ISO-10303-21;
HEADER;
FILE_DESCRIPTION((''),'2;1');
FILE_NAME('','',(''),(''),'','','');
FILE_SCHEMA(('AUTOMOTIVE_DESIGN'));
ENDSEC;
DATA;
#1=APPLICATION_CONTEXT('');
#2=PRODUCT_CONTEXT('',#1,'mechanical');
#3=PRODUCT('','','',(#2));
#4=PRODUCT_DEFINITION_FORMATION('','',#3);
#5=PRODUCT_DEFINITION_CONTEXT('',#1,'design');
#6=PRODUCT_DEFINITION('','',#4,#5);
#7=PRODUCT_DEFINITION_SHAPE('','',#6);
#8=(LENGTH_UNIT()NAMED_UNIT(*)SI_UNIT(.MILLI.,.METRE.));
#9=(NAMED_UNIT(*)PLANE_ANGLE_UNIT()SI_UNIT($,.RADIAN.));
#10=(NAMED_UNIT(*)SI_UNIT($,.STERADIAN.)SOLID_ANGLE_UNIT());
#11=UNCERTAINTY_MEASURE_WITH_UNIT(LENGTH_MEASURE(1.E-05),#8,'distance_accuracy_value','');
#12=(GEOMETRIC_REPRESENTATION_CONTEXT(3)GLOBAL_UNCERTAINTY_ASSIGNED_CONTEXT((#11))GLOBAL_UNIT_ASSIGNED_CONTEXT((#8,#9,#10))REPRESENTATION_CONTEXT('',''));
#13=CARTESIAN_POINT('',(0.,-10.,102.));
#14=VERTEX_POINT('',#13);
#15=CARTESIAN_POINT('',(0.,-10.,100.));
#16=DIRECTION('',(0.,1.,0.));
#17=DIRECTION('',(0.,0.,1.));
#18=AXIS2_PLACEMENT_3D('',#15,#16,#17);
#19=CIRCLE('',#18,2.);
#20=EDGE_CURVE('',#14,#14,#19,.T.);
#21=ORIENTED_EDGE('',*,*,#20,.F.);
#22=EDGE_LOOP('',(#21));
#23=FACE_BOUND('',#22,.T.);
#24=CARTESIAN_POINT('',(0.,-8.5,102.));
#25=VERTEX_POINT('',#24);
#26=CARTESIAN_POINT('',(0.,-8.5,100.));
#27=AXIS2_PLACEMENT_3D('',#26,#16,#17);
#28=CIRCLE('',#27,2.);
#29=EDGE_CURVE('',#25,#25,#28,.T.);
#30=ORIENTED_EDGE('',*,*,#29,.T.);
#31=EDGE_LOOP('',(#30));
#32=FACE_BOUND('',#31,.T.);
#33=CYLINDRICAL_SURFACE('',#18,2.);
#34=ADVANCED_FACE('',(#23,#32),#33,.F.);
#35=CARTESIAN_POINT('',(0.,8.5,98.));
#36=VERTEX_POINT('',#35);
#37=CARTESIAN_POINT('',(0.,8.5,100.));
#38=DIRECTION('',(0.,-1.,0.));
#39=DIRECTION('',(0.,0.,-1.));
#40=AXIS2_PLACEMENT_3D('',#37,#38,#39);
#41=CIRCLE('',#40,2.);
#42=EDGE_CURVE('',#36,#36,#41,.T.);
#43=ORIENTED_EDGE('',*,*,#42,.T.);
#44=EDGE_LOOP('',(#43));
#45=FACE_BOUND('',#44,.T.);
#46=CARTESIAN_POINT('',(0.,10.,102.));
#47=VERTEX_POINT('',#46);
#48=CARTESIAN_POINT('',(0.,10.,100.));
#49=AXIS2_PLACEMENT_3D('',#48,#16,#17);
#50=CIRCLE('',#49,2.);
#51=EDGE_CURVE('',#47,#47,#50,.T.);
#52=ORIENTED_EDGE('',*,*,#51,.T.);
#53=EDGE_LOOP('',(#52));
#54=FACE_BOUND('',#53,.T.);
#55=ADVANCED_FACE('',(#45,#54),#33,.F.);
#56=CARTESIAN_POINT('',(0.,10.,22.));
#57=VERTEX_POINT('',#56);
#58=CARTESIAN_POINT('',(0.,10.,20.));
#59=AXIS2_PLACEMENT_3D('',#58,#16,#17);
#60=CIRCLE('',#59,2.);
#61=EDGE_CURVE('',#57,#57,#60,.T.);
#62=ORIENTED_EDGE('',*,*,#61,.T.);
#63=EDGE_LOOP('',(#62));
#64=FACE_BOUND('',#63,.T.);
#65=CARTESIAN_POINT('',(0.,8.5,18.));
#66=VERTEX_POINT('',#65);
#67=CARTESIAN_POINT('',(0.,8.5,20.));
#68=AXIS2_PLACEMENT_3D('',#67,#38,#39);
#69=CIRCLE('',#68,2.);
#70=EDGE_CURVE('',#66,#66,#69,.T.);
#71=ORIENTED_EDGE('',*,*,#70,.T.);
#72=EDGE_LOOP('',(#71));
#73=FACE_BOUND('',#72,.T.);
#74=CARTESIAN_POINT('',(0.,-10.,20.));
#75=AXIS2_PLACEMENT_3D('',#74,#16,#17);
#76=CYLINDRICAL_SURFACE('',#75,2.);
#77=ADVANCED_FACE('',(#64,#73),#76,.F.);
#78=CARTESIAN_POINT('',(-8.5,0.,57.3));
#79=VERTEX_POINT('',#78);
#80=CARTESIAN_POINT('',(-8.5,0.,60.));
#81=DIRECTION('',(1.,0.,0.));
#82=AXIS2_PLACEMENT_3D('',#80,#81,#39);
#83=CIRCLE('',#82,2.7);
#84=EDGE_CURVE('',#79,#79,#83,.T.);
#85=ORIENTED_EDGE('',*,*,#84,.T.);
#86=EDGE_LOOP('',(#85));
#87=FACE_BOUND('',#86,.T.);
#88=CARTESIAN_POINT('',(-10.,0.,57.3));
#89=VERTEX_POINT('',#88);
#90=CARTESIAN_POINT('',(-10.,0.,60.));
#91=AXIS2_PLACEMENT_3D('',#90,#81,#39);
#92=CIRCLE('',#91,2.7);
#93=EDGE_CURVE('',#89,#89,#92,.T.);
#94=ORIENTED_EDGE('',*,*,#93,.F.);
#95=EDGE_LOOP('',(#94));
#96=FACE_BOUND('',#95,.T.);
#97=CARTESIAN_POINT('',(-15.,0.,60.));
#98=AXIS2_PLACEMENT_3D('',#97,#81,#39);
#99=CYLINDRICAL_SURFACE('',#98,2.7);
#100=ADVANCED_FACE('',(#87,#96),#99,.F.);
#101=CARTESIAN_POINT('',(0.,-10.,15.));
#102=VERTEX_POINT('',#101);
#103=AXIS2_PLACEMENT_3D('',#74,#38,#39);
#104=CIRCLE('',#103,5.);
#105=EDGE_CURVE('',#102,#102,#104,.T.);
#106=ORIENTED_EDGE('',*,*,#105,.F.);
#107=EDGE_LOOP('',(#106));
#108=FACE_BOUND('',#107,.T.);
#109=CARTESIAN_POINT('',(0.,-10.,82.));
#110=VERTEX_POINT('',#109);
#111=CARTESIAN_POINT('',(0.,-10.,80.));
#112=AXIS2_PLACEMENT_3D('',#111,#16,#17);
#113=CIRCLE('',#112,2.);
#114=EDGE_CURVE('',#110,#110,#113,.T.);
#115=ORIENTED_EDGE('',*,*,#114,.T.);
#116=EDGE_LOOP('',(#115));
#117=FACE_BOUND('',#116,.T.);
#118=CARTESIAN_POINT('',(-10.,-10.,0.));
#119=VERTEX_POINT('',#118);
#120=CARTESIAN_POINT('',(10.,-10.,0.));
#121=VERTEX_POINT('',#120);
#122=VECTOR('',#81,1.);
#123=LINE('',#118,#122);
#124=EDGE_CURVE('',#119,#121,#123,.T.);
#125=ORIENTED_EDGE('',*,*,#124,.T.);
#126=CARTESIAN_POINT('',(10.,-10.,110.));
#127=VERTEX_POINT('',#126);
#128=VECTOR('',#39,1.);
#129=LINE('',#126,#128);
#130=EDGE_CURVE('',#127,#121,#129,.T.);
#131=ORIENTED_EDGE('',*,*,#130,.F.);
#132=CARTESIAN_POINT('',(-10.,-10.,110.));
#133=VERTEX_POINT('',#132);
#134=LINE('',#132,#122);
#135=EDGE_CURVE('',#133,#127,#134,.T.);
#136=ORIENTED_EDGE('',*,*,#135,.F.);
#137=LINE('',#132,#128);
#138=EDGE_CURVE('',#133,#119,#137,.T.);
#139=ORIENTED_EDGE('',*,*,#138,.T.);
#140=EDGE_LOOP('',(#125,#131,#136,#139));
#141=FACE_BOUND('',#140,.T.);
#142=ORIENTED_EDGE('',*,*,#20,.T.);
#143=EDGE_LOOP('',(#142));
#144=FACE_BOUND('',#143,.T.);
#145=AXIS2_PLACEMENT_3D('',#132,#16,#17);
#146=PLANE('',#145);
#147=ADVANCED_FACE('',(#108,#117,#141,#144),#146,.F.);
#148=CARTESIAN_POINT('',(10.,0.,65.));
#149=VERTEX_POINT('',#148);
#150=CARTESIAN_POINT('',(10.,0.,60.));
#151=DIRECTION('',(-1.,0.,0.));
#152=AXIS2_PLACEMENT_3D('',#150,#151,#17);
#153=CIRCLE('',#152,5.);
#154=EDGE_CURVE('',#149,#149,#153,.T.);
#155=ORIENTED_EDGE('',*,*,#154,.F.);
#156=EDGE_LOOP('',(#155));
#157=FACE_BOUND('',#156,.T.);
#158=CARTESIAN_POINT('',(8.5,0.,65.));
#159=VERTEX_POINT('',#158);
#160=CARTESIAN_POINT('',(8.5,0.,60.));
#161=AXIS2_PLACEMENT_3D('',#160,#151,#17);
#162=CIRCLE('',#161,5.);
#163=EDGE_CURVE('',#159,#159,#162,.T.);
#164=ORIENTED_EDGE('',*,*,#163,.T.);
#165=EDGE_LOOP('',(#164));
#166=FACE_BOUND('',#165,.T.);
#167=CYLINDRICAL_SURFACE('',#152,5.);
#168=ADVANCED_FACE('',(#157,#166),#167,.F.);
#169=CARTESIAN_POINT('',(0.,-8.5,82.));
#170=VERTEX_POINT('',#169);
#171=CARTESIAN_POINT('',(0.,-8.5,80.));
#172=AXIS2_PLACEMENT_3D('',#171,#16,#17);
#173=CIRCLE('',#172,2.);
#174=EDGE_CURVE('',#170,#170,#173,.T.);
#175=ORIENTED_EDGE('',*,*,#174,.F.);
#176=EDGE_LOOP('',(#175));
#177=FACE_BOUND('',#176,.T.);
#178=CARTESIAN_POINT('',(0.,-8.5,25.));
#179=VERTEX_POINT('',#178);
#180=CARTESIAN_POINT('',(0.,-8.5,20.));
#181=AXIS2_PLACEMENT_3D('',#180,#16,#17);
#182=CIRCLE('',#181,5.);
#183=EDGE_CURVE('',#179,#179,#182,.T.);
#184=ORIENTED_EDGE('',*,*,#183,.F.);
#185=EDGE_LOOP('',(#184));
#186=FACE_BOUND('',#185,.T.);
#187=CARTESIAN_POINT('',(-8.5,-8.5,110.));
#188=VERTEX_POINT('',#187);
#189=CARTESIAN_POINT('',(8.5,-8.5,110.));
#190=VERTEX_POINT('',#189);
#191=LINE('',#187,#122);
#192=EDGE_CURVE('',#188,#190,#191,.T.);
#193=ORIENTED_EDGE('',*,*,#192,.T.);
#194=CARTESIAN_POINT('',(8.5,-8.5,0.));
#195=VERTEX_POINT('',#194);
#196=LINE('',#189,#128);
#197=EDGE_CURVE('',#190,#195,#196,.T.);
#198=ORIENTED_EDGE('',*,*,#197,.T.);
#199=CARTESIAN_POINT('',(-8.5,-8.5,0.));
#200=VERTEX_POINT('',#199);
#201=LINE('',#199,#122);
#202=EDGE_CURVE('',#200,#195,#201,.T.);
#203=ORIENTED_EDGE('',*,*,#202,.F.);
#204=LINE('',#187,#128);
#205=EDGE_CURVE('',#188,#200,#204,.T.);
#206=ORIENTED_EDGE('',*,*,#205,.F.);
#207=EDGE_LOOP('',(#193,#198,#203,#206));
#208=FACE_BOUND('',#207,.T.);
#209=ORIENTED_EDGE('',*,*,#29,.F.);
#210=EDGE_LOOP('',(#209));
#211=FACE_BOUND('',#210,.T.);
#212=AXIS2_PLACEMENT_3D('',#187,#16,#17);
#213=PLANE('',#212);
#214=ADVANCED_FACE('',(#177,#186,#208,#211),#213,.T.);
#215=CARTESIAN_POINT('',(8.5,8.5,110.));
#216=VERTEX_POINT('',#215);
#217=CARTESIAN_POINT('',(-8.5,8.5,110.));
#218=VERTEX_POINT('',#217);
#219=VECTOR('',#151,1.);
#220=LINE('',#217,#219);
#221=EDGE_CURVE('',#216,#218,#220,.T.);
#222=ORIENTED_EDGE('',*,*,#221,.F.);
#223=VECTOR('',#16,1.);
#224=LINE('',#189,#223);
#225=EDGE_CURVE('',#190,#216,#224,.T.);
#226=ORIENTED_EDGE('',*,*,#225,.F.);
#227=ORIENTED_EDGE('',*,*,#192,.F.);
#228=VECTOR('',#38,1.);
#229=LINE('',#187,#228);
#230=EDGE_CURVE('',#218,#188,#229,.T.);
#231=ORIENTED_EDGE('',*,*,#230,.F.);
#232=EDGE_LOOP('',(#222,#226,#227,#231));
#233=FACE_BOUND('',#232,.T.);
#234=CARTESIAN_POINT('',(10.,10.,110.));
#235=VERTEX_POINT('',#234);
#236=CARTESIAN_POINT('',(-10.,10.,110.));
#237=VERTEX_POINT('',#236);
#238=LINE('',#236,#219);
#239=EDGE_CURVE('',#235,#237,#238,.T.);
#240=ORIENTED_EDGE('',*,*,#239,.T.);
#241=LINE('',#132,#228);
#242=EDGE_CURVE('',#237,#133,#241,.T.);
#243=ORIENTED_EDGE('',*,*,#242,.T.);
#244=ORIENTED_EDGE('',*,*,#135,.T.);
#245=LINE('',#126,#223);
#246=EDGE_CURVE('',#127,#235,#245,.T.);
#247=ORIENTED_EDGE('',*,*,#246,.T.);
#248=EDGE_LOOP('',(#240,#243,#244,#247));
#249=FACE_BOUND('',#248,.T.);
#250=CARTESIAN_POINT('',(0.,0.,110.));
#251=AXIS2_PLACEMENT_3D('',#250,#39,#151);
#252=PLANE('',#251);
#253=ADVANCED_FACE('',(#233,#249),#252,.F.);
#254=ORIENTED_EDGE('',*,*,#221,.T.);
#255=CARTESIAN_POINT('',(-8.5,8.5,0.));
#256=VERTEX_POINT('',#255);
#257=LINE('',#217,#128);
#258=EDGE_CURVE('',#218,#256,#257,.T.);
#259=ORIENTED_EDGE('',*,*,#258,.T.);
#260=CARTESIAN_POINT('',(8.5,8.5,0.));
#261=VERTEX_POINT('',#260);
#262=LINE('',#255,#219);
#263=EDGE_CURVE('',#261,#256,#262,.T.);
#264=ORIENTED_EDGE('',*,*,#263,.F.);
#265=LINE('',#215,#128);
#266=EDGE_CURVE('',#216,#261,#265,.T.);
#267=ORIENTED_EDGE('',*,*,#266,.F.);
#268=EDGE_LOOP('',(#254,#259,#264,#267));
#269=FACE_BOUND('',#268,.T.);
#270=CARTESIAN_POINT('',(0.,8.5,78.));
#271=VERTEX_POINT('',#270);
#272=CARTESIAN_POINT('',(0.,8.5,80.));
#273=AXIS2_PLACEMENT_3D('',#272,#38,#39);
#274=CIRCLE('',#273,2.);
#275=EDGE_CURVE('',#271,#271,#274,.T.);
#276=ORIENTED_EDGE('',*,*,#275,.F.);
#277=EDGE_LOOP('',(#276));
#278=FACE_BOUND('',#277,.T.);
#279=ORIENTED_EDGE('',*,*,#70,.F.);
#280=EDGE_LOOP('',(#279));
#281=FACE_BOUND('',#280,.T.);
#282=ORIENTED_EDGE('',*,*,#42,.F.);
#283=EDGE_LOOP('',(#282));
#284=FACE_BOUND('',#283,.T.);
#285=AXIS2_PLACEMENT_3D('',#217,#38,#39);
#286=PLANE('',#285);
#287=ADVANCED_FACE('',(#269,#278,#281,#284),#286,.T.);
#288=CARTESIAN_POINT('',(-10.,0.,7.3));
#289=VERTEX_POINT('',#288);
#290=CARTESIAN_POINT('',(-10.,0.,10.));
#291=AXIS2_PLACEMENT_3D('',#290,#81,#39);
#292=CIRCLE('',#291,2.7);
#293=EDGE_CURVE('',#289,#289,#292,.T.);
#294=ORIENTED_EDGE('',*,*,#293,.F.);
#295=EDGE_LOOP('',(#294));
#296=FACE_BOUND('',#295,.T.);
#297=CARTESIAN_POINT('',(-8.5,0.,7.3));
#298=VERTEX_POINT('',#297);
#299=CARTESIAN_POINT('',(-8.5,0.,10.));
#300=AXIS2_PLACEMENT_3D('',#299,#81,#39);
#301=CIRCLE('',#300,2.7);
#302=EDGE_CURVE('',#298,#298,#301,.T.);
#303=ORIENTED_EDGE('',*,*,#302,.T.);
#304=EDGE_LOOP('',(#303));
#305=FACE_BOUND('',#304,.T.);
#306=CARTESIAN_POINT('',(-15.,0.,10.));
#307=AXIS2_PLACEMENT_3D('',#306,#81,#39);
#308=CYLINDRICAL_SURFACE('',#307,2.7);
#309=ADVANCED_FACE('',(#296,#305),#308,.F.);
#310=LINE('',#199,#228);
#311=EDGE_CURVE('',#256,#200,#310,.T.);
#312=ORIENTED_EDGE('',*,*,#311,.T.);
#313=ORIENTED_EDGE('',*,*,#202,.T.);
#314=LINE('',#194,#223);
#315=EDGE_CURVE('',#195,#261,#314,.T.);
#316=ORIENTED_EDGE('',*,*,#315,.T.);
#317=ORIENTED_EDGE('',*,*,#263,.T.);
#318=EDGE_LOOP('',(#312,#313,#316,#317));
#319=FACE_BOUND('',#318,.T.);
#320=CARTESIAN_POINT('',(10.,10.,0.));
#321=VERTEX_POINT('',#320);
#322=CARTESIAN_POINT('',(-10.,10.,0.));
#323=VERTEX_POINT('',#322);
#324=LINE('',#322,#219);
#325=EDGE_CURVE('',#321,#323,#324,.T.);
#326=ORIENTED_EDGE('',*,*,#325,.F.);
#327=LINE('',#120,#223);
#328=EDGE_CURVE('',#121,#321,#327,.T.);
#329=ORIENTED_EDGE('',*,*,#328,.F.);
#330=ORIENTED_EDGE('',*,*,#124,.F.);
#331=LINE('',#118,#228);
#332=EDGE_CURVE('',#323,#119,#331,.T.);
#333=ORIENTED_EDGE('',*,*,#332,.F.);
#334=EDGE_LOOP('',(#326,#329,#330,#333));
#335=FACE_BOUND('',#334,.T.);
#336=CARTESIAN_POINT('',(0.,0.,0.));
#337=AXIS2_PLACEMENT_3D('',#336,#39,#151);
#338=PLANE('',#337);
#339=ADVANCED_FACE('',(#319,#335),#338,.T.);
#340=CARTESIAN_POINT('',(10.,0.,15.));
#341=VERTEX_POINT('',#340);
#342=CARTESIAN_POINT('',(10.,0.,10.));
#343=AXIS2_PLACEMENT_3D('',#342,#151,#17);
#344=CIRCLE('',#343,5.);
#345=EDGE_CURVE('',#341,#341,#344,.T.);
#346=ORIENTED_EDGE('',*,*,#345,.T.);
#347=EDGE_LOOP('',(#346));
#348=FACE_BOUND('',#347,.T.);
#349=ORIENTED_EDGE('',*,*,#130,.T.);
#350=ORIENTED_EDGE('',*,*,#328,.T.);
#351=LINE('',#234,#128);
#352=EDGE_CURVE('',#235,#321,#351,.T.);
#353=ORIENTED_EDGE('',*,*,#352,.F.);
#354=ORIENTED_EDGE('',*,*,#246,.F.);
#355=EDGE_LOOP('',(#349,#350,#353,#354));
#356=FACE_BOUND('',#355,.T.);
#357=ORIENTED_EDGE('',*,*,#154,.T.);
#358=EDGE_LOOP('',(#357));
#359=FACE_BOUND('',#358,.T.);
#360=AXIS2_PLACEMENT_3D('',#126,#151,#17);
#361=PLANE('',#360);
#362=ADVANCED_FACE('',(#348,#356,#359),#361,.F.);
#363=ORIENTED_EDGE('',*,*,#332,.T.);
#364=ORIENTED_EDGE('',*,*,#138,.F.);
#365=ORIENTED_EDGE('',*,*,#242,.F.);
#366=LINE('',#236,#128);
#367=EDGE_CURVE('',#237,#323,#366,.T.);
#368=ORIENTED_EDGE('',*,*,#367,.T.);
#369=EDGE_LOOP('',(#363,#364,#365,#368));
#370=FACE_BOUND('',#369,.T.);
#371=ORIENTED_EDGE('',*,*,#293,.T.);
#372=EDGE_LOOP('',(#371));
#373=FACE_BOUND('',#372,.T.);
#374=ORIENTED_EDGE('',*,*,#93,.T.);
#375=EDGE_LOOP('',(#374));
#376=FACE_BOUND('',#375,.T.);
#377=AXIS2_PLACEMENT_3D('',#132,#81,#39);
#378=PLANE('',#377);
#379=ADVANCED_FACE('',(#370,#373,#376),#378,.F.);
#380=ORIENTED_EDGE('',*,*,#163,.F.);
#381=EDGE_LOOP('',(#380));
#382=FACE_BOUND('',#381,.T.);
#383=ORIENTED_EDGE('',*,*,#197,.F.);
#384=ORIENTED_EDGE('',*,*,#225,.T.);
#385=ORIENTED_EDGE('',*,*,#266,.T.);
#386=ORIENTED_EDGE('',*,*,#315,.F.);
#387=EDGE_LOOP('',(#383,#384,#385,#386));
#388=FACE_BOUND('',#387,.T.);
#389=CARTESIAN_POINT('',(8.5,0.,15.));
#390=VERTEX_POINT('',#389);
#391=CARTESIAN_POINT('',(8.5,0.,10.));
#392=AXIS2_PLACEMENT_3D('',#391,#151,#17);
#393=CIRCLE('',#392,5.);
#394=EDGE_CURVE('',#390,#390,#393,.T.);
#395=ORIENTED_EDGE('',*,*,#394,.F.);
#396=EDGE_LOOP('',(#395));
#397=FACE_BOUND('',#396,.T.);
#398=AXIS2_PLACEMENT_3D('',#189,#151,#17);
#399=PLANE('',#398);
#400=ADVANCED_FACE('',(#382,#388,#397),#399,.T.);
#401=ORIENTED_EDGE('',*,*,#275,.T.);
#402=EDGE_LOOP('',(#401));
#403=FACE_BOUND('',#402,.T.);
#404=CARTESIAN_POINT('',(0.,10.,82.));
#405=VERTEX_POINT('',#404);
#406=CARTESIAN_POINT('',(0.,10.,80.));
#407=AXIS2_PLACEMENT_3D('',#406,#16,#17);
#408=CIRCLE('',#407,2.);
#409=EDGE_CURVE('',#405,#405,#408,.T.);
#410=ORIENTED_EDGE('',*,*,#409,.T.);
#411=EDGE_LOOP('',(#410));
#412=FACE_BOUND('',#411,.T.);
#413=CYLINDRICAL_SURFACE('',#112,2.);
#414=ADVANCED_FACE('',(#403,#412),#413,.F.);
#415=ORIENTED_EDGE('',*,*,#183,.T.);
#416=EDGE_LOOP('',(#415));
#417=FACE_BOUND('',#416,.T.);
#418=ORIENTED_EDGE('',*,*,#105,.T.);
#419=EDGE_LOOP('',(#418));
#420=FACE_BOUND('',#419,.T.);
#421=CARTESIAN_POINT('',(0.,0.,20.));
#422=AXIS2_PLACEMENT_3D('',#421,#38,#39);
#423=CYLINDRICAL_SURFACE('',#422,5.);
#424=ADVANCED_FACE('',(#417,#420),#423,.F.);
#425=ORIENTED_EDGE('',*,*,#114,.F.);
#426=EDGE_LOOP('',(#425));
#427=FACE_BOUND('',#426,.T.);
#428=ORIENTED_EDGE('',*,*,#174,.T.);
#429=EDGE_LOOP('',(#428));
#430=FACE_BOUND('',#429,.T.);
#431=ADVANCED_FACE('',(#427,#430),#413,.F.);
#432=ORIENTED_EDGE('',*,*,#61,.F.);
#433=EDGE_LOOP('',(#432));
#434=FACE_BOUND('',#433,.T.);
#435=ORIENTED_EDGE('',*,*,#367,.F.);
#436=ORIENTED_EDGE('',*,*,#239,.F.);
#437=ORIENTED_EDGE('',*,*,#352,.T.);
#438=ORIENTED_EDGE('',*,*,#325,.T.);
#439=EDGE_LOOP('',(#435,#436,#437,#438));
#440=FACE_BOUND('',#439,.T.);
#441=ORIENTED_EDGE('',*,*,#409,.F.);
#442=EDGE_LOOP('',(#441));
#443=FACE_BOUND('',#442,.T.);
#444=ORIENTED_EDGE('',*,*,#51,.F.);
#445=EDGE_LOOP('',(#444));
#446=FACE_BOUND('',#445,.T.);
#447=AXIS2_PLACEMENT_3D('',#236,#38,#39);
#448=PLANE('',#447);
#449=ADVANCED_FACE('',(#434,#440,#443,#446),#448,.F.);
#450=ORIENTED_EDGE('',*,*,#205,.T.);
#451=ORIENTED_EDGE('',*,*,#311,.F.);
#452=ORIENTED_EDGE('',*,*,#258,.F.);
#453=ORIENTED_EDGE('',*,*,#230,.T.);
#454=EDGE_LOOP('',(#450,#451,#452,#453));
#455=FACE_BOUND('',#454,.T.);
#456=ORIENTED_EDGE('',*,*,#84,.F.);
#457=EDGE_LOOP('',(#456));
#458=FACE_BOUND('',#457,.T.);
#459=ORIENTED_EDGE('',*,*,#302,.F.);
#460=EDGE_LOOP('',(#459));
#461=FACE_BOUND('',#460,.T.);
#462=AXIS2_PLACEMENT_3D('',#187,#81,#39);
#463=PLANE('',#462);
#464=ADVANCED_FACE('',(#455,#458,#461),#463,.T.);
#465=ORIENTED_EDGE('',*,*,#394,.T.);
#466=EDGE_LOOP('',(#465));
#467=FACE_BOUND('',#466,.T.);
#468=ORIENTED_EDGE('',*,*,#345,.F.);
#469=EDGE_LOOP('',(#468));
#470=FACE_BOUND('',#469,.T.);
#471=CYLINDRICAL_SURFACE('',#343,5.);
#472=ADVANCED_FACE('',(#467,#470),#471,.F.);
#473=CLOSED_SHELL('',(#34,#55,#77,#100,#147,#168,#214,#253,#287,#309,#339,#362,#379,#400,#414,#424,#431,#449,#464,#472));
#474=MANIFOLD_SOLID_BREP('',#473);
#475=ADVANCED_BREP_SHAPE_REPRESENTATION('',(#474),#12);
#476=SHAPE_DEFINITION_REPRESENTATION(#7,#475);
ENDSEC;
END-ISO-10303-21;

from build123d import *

# Parameters (mm, degrees)
SKETCH_1_W          = 20
SKETCH_1_H          = 20
SKETCH_1_W_2        = 17
SKETCH_1_H_2        = 17
EXTRUDE_1_DEPTH     = 110
SKETCH_2_R          = 2.7
CUT_EXTRUDE_1_DEPTH = 25
SKETCH_3_R          = 2
CUT_EXTRUDE_2_DEPTH = 20
SKETCH_5_R          = 5
CUT_EXTRUDE_4_DEPTH = 10
CUT_EXTRUDE_START   = -10
SKETCH_6_R          = 5
CUT_EXTRUDE_5_DEPTH = 10


with BuildPart() as part:
    # ｽｹｯﾁ1 → ﾎﾞｽ - 押し出し1 (new body)
    with BuildSketch(Plane.XY):
        Rectangle(SKETCH_1_W, SKETCH_1_H)
        Rectangle(SKETCH_1_W_2, SKETCH_1_H_2, mode=Mode.SUBTRACT)
    extrude(amount=EXTRUDE_1_DEPTH)

    # ｽｹｯﾁ2 → ｶｯﾄ - 押し出し1 (cut)
    with BuildSketch(Plane(origin=(10, 0, 0), x_dir=(0, 0, -1), z_dir=(1, 0, 0))):
        with Locations((-60, 0)):
            Circle(SKETCH_2_R)
        with Locations((-10, 0)):
            Circle(SKETCH_2_R)
    extrude(amount=-CUT_EXTRUDE_1_DEPTH, mode=Mode.SUBTRACT)

    # ｽｹｯﾁ3 → ｶｯﾄ - 押し出し2 (cut)
    with BuildSketch(Plane(origin=(0, 10, 0), x_dir=(1, 0, 0), z_dir=(0, 1, 0))):
        with Locations((0, -100)):
            Circle(SKETCH_3_R)
        with Locations((0, -80)):
            Circle(SKETCH_3_R)
        with Locations((0, -20)):
            Circle(SKETCH_3_R)
    extrude(amount=-CUT_EXTRUDE_2_DEPTH, mode=Mode.SUBTRACT)

    # ｽｹｯﾁ5 → ｶｯﾄ - 押し出し4 (cut)
    with BuildSketch(Plane(origin=(0, -10, 0), x_dir=(-1, 0, 0), z_dir=(0, -1, 0))):
        with Locations((0, -20)):
            Circle(SKETCH_5_R)
    extrude(amount=-CUT_EXTRUDE_4_DEPTH, mode=Mode.SUBTRACT)

    # ｽｹｯﾁ6 → ｶｯﾄ - 押し出し5 (cut)
    with BuildSketch(Plane.ZY.offset(10).offset(CUT_EXTRUDE_START)):
        with Locations((10, 0)):
            Circle(SKETCH_6_R)
        with Locations((60, 0)):
            Circle(SKETCH_6_R)
    extrude(amount=-CUT_EXTRUDE_5_DEPTH, mode=Mode.SUBTRACT)


solid = part.part
